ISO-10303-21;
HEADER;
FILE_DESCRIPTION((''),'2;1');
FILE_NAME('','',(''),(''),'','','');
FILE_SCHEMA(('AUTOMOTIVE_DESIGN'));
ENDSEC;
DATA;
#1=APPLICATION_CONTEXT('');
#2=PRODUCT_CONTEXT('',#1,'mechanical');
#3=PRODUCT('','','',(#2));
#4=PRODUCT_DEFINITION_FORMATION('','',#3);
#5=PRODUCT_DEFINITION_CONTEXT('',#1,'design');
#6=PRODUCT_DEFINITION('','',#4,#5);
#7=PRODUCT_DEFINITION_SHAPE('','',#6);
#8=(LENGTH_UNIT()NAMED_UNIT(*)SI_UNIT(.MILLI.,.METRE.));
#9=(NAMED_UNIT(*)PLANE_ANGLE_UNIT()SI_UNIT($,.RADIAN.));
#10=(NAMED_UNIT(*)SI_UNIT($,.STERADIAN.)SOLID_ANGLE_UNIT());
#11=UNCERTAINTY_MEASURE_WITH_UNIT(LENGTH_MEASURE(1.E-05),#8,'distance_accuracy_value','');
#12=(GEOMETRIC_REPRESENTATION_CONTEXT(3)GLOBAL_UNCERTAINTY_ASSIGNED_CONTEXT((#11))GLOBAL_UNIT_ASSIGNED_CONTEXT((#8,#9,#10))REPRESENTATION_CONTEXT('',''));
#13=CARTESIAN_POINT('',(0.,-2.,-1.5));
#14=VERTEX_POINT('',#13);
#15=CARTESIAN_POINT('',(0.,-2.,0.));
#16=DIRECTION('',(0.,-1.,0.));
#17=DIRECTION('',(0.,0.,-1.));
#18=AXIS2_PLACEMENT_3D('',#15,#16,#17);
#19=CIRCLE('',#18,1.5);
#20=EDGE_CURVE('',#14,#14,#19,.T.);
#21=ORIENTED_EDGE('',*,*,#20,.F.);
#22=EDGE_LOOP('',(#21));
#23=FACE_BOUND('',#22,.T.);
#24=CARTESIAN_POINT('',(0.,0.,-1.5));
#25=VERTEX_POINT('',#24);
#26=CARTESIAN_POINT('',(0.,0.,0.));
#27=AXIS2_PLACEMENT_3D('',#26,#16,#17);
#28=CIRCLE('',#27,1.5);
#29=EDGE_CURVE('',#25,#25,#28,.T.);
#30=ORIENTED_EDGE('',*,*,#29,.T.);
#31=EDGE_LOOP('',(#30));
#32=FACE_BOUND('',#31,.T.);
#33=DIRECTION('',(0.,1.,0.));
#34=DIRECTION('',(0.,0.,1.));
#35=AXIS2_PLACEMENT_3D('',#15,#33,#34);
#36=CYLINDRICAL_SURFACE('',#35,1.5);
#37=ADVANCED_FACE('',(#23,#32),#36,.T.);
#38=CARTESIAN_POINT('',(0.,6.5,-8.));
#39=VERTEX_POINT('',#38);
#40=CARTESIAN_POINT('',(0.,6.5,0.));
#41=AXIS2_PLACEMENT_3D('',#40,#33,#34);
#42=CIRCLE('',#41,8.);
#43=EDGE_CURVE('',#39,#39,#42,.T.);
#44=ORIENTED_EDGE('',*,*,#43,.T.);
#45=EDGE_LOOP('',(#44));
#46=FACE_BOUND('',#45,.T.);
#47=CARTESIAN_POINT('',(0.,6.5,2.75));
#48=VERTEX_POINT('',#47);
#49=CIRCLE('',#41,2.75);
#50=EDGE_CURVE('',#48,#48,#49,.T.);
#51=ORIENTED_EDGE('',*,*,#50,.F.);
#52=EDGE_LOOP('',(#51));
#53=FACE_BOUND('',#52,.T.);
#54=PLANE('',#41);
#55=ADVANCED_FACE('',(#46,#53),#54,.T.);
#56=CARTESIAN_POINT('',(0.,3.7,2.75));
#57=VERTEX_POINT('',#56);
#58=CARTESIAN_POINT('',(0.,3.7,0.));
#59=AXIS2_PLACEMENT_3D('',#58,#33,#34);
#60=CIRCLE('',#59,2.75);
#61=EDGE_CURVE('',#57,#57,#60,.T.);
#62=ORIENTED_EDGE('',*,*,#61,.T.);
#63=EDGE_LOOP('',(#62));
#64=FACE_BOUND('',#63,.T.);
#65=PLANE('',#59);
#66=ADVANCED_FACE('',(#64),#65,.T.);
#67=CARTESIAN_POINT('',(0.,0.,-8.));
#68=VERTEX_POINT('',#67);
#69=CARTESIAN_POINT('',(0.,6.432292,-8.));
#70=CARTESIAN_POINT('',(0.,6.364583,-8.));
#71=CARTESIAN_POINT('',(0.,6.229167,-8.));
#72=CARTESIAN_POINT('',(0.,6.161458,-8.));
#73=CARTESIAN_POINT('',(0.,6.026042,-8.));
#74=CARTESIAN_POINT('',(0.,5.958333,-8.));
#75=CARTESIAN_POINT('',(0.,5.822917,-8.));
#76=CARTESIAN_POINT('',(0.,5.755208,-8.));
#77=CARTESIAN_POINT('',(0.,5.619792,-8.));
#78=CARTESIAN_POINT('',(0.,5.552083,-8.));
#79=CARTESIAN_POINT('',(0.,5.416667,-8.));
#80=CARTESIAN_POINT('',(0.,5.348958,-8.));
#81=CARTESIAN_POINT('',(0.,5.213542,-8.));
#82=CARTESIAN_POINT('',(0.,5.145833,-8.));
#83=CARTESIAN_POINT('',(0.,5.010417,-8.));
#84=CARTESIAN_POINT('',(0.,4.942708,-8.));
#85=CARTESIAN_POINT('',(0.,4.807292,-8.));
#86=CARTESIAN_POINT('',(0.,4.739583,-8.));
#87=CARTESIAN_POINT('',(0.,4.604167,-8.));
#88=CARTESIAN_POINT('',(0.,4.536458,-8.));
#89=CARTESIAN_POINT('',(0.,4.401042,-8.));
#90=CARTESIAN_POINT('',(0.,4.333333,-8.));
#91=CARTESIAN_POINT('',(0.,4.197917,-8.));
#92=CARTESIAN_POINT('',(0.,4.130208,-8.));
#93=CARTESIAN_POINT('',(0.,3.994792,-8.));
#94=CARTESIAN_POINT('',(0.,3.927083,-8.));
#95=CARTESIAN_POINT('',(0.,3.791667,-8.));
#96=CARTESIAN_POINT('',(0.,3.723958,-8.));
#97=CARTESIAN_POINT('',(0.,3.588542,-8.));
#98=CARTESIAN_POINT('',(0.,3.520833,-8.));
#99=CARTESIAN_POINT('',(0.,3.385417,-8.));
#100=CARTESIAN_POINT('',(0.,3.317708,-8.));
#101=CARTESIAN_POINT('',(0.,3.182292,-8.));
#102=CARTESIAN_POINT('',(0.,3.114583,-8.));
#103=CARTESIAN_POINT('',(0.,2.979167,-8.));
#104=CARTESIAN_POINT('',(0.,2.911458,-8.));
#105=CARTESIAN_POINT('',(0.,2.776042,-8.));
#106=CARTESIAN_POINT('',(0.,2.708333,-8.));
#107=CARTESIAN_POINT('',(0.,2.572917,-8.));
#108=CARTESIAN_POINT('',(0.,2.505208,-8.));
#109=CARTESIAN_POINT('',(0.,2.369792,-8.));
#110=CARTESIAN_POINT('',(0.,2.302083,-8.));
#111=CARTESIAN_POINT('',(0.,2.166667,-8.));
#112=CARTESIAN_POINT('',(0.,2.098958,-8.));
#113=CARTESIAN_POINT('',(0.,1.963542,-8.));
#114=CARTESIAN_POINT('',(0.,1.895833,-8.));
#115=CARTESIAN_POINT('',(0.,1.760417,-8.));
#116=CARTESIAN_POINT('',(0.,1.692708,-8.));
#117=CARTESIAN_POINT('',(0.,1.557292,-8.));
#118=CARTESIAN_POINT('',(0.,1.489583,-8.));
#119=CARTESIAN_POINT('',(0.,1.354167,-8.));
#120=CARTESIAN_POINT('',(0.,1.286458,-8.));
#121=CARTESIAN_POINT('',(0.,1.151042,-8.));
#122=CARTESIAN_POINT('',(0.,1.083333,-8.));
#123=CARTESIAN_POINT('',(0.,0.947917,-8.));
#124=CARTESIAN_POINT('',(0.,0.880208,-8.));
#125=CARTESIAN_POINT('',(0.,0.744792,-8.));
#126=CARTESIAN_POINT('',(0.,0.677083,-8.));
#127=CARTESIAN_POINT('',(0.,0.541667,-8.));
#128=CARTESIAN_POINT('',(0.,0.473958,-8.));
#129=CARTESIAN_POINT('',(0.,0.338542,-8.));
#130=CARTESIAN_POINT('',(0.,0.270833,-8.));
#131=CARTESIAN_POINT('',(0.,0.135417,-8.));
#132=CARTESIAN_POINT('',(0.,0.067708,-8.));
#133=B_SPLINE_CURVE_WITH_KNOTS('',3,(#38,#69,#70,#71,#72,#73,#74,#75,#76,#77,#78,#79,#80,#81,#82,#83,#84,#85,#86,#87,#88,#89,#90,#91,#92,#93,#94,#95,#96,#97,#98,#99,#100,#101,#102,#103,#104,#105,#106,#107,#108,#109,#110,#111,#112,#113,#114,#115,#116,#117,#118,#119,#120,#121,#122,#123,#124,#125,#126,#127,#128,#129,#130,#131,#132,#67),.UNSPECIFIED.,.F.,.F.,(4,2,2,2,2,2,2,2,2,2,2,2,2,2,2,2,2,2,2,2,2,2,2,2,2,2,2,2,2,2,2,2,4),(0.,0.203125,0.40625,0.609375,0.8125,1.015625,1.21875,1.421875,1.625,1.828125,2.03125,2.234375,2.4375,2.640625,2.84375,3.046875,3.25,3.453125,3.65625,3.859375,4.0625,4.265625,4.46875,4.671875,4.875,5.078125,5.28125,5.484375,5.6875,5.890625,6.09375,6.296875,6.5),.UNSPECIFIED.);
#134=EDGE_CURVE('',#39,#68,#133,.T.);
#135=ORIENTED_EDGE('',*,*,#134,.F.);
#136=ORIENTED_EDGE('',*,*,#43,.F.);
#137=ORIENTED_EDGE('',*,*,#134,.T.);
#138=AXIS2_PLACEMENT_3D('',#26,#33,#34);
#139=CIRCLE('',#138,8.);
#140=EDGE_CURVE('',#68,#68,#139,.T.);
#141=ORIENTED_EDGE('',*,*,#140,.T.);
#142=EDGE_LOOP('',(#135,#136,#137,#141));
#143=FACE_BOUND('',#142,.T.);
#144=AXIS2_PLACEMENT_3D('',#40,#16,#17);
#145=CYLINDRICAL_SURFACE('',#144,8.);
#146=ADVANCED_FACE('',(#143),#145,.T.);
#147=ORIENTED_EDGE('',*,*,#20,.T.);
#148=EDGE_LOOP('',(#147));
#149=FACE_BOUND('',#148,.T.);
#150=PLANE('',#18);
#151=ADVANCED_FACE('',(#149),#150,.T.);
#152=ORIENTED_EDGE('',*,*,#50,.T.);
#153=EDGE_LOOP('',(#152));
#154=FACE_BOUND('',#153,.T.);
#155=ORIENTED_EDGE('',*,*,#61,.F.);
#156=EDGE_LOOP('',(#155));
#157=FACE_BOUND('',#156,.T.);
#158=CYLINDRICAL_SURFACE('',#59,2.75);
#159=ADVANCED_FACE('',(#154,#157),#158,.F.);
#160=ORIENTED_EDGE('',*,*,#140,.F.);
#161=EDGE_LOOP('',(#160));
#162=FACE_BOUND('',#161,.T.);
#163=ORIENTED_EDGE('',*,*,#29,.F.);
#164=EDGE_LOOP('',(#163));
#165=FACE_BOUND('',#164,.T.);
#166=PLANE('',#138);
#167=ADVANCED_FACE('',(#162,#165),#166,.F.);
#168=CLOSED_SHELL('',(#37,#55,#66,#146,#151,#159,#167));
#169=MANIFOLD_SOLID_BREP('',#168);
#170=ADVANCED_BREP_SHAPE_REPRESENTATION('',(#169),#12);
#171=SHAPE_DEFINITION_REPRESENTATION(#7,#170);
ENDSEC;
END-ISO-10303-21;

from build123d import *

# Parameters (mm, degrees)
SKETCH1_R           = 8
BOSS_EXTRUDE1_DEPTH = 6.5
SKETCH2_R           = 2.75
CUT_EXTRUDE1_DEPTH  = 2.8
SKETCH3_R           = 1.5
BOSS_EXTRUDE2_DEPTH = 2


with BuildPart() as part:
    # Sketch1 → Boss-Extrude1 (new body)
    with BuildSketch(Plane(origin=(0, 0, 0), x_dir=(1, 0, 0), z_dir=(0, 1, 0))):
        with Locations(Location((0, 0, 0), (0, 0, 90))):
            Circle(SKETCH1_R)
    extrude(amount=BOSS_EXTRUDE1_DEPTH)

    # Sketch2 → Cut-Extrude1 (cut)
    with BuildSketch(Plane(origin=(0, 6.5, 0), x_dir=(1, 0, 0), z_dir=(0, 1, 0))):
        with Locations(Location((0, 0, 0), (0, 0, 270))):
            Circle(SKETCH2_R)
    extrude(amount=-CUT_EXTRUDE1_DEPTH, mode=Mode.SUBTRACT)

    # Sketch3 → Boss-Extrude2 (add)
    with BuildSketch(Plane.XZ):
        with Locations(Location((0, 0, 0), (0, 0, 270))):
            Circle(SKETCH3_R)
    extrude(amount=BOSS_EXTRUDE2_DEPTH)


solid = part.part
